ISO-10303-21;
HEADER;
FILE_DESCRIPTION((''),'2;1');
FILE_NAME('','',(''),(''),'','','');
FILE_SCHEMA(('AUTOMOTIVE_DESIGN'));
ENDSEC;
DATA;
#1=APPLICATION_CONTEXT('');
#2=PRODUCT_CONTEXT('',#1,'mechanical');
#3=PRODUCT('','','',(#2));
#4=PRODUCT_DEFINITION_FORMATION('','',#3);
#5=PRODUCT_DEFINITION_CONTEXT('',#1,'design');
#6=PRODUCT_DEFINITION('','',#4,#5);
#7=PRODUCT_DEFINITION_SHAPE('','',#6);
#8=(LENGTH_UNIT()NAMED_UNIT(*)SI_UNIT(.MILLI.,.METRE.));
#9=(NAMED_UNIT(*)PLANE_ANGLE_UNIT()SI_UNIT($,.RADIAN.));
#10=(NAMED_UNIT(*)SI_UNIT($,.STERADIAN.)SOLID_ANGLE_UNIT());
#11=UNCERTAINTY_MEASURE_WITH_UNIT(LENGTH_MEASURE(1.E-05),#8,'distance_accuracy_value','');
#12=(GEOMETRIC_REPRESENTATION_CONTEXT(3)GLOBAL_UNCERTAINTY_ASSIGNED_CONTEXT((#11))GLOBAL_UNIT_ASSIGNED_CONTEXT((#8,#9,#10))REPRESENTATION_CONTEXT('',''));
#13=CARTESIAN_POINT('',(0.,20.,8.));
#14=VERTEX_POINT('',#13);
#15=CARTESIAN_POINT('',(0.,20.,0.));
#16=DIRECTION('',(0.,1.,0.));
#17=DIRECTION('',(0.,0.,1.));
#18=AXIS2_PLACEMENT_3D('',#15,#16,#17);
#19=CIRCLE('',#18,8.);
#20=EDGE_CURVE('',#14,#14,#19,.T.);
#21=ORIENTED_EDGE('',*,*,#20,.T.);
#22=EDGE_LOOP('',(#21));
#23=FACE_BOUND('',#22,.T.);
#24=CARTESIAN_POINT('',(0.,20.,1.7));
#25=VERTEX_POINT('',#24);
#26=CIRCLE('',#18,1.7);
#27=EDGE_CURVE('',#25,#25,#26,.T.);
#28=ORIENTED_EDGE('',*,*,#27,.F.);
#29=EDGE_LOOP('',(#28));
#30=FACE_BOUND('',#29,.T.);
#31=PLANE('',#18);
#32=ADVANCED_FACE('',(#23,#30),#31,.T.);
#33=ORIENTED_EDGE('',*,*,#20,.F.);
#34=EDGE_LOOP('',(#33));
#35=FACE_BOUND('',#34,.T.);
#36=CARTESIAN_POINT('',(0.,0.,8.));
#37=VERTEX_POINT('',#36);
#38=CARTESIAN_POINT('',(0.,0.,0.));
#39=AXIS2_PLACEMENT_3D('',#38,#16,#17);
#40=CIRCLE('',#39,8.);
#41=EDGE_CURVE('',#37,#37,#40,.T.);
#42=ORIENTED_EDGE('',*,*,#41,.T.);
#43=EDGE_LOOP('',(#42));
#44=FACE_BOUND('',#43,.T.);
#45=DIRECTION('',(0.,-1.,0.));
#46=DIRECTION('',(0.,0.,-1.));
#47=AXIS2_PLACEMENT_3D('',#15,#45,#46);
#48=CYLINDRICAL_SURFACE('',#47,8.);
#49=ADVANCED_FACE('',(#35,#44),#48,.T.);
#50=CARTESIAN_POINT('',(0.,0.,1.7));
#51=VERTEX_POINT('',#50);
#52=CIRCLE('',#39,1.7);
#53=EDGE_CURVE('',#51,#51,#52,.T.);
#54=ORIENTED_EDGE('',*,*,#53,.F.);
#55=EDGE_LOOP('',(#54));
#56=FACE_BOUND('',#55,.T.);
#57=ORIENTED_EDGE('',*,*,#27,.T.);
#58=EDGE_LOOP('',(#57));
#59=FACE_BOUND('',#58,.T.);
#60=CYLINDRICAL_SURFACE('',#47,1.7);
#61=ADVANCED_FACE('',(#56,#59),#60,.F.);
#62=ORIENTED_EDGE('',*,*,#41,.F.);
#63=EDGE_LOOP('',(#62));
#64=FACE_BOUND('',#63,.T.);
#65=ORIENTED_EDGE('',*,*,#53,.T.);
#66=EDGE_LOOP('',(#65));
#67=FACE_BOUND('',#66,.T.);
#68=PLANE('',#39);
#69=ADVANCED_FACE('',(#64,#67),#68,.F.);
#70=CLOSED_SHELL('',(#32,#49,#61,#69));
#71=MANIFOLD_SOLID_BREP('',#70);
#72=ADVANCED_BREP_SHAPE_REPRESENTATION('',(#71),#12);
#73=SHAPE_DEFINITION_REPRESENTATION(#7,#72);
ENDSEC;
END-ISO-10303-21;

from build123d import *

# Parameters (mm, degrees)
SKETCH_1_R      = 8
SKETCH_1_R_2    = 1.7
EXTRUDE_1_DEPTH = 20


with BuildPart() as part:
    # 草图1 → 凸台-拉伸1 (new body)
    with BuildSketch(Plane(origin=(0, 0, 0), x_dir=(1, 0, 0), z_dir=(0, 1, 0))):
        with Locations(Location((0, 0, 0), (0, 0, 270))):
            Circle(SKETCH_1_R)
        with Locations(Location((0, 0, 0), (0, 0, 270))):
            Circle(SKETCH_1_R_2, mode=Mode.SUBTRACT)
    extrude(amount=EXTRUDE_1_DEPTH)


solid = part.part
